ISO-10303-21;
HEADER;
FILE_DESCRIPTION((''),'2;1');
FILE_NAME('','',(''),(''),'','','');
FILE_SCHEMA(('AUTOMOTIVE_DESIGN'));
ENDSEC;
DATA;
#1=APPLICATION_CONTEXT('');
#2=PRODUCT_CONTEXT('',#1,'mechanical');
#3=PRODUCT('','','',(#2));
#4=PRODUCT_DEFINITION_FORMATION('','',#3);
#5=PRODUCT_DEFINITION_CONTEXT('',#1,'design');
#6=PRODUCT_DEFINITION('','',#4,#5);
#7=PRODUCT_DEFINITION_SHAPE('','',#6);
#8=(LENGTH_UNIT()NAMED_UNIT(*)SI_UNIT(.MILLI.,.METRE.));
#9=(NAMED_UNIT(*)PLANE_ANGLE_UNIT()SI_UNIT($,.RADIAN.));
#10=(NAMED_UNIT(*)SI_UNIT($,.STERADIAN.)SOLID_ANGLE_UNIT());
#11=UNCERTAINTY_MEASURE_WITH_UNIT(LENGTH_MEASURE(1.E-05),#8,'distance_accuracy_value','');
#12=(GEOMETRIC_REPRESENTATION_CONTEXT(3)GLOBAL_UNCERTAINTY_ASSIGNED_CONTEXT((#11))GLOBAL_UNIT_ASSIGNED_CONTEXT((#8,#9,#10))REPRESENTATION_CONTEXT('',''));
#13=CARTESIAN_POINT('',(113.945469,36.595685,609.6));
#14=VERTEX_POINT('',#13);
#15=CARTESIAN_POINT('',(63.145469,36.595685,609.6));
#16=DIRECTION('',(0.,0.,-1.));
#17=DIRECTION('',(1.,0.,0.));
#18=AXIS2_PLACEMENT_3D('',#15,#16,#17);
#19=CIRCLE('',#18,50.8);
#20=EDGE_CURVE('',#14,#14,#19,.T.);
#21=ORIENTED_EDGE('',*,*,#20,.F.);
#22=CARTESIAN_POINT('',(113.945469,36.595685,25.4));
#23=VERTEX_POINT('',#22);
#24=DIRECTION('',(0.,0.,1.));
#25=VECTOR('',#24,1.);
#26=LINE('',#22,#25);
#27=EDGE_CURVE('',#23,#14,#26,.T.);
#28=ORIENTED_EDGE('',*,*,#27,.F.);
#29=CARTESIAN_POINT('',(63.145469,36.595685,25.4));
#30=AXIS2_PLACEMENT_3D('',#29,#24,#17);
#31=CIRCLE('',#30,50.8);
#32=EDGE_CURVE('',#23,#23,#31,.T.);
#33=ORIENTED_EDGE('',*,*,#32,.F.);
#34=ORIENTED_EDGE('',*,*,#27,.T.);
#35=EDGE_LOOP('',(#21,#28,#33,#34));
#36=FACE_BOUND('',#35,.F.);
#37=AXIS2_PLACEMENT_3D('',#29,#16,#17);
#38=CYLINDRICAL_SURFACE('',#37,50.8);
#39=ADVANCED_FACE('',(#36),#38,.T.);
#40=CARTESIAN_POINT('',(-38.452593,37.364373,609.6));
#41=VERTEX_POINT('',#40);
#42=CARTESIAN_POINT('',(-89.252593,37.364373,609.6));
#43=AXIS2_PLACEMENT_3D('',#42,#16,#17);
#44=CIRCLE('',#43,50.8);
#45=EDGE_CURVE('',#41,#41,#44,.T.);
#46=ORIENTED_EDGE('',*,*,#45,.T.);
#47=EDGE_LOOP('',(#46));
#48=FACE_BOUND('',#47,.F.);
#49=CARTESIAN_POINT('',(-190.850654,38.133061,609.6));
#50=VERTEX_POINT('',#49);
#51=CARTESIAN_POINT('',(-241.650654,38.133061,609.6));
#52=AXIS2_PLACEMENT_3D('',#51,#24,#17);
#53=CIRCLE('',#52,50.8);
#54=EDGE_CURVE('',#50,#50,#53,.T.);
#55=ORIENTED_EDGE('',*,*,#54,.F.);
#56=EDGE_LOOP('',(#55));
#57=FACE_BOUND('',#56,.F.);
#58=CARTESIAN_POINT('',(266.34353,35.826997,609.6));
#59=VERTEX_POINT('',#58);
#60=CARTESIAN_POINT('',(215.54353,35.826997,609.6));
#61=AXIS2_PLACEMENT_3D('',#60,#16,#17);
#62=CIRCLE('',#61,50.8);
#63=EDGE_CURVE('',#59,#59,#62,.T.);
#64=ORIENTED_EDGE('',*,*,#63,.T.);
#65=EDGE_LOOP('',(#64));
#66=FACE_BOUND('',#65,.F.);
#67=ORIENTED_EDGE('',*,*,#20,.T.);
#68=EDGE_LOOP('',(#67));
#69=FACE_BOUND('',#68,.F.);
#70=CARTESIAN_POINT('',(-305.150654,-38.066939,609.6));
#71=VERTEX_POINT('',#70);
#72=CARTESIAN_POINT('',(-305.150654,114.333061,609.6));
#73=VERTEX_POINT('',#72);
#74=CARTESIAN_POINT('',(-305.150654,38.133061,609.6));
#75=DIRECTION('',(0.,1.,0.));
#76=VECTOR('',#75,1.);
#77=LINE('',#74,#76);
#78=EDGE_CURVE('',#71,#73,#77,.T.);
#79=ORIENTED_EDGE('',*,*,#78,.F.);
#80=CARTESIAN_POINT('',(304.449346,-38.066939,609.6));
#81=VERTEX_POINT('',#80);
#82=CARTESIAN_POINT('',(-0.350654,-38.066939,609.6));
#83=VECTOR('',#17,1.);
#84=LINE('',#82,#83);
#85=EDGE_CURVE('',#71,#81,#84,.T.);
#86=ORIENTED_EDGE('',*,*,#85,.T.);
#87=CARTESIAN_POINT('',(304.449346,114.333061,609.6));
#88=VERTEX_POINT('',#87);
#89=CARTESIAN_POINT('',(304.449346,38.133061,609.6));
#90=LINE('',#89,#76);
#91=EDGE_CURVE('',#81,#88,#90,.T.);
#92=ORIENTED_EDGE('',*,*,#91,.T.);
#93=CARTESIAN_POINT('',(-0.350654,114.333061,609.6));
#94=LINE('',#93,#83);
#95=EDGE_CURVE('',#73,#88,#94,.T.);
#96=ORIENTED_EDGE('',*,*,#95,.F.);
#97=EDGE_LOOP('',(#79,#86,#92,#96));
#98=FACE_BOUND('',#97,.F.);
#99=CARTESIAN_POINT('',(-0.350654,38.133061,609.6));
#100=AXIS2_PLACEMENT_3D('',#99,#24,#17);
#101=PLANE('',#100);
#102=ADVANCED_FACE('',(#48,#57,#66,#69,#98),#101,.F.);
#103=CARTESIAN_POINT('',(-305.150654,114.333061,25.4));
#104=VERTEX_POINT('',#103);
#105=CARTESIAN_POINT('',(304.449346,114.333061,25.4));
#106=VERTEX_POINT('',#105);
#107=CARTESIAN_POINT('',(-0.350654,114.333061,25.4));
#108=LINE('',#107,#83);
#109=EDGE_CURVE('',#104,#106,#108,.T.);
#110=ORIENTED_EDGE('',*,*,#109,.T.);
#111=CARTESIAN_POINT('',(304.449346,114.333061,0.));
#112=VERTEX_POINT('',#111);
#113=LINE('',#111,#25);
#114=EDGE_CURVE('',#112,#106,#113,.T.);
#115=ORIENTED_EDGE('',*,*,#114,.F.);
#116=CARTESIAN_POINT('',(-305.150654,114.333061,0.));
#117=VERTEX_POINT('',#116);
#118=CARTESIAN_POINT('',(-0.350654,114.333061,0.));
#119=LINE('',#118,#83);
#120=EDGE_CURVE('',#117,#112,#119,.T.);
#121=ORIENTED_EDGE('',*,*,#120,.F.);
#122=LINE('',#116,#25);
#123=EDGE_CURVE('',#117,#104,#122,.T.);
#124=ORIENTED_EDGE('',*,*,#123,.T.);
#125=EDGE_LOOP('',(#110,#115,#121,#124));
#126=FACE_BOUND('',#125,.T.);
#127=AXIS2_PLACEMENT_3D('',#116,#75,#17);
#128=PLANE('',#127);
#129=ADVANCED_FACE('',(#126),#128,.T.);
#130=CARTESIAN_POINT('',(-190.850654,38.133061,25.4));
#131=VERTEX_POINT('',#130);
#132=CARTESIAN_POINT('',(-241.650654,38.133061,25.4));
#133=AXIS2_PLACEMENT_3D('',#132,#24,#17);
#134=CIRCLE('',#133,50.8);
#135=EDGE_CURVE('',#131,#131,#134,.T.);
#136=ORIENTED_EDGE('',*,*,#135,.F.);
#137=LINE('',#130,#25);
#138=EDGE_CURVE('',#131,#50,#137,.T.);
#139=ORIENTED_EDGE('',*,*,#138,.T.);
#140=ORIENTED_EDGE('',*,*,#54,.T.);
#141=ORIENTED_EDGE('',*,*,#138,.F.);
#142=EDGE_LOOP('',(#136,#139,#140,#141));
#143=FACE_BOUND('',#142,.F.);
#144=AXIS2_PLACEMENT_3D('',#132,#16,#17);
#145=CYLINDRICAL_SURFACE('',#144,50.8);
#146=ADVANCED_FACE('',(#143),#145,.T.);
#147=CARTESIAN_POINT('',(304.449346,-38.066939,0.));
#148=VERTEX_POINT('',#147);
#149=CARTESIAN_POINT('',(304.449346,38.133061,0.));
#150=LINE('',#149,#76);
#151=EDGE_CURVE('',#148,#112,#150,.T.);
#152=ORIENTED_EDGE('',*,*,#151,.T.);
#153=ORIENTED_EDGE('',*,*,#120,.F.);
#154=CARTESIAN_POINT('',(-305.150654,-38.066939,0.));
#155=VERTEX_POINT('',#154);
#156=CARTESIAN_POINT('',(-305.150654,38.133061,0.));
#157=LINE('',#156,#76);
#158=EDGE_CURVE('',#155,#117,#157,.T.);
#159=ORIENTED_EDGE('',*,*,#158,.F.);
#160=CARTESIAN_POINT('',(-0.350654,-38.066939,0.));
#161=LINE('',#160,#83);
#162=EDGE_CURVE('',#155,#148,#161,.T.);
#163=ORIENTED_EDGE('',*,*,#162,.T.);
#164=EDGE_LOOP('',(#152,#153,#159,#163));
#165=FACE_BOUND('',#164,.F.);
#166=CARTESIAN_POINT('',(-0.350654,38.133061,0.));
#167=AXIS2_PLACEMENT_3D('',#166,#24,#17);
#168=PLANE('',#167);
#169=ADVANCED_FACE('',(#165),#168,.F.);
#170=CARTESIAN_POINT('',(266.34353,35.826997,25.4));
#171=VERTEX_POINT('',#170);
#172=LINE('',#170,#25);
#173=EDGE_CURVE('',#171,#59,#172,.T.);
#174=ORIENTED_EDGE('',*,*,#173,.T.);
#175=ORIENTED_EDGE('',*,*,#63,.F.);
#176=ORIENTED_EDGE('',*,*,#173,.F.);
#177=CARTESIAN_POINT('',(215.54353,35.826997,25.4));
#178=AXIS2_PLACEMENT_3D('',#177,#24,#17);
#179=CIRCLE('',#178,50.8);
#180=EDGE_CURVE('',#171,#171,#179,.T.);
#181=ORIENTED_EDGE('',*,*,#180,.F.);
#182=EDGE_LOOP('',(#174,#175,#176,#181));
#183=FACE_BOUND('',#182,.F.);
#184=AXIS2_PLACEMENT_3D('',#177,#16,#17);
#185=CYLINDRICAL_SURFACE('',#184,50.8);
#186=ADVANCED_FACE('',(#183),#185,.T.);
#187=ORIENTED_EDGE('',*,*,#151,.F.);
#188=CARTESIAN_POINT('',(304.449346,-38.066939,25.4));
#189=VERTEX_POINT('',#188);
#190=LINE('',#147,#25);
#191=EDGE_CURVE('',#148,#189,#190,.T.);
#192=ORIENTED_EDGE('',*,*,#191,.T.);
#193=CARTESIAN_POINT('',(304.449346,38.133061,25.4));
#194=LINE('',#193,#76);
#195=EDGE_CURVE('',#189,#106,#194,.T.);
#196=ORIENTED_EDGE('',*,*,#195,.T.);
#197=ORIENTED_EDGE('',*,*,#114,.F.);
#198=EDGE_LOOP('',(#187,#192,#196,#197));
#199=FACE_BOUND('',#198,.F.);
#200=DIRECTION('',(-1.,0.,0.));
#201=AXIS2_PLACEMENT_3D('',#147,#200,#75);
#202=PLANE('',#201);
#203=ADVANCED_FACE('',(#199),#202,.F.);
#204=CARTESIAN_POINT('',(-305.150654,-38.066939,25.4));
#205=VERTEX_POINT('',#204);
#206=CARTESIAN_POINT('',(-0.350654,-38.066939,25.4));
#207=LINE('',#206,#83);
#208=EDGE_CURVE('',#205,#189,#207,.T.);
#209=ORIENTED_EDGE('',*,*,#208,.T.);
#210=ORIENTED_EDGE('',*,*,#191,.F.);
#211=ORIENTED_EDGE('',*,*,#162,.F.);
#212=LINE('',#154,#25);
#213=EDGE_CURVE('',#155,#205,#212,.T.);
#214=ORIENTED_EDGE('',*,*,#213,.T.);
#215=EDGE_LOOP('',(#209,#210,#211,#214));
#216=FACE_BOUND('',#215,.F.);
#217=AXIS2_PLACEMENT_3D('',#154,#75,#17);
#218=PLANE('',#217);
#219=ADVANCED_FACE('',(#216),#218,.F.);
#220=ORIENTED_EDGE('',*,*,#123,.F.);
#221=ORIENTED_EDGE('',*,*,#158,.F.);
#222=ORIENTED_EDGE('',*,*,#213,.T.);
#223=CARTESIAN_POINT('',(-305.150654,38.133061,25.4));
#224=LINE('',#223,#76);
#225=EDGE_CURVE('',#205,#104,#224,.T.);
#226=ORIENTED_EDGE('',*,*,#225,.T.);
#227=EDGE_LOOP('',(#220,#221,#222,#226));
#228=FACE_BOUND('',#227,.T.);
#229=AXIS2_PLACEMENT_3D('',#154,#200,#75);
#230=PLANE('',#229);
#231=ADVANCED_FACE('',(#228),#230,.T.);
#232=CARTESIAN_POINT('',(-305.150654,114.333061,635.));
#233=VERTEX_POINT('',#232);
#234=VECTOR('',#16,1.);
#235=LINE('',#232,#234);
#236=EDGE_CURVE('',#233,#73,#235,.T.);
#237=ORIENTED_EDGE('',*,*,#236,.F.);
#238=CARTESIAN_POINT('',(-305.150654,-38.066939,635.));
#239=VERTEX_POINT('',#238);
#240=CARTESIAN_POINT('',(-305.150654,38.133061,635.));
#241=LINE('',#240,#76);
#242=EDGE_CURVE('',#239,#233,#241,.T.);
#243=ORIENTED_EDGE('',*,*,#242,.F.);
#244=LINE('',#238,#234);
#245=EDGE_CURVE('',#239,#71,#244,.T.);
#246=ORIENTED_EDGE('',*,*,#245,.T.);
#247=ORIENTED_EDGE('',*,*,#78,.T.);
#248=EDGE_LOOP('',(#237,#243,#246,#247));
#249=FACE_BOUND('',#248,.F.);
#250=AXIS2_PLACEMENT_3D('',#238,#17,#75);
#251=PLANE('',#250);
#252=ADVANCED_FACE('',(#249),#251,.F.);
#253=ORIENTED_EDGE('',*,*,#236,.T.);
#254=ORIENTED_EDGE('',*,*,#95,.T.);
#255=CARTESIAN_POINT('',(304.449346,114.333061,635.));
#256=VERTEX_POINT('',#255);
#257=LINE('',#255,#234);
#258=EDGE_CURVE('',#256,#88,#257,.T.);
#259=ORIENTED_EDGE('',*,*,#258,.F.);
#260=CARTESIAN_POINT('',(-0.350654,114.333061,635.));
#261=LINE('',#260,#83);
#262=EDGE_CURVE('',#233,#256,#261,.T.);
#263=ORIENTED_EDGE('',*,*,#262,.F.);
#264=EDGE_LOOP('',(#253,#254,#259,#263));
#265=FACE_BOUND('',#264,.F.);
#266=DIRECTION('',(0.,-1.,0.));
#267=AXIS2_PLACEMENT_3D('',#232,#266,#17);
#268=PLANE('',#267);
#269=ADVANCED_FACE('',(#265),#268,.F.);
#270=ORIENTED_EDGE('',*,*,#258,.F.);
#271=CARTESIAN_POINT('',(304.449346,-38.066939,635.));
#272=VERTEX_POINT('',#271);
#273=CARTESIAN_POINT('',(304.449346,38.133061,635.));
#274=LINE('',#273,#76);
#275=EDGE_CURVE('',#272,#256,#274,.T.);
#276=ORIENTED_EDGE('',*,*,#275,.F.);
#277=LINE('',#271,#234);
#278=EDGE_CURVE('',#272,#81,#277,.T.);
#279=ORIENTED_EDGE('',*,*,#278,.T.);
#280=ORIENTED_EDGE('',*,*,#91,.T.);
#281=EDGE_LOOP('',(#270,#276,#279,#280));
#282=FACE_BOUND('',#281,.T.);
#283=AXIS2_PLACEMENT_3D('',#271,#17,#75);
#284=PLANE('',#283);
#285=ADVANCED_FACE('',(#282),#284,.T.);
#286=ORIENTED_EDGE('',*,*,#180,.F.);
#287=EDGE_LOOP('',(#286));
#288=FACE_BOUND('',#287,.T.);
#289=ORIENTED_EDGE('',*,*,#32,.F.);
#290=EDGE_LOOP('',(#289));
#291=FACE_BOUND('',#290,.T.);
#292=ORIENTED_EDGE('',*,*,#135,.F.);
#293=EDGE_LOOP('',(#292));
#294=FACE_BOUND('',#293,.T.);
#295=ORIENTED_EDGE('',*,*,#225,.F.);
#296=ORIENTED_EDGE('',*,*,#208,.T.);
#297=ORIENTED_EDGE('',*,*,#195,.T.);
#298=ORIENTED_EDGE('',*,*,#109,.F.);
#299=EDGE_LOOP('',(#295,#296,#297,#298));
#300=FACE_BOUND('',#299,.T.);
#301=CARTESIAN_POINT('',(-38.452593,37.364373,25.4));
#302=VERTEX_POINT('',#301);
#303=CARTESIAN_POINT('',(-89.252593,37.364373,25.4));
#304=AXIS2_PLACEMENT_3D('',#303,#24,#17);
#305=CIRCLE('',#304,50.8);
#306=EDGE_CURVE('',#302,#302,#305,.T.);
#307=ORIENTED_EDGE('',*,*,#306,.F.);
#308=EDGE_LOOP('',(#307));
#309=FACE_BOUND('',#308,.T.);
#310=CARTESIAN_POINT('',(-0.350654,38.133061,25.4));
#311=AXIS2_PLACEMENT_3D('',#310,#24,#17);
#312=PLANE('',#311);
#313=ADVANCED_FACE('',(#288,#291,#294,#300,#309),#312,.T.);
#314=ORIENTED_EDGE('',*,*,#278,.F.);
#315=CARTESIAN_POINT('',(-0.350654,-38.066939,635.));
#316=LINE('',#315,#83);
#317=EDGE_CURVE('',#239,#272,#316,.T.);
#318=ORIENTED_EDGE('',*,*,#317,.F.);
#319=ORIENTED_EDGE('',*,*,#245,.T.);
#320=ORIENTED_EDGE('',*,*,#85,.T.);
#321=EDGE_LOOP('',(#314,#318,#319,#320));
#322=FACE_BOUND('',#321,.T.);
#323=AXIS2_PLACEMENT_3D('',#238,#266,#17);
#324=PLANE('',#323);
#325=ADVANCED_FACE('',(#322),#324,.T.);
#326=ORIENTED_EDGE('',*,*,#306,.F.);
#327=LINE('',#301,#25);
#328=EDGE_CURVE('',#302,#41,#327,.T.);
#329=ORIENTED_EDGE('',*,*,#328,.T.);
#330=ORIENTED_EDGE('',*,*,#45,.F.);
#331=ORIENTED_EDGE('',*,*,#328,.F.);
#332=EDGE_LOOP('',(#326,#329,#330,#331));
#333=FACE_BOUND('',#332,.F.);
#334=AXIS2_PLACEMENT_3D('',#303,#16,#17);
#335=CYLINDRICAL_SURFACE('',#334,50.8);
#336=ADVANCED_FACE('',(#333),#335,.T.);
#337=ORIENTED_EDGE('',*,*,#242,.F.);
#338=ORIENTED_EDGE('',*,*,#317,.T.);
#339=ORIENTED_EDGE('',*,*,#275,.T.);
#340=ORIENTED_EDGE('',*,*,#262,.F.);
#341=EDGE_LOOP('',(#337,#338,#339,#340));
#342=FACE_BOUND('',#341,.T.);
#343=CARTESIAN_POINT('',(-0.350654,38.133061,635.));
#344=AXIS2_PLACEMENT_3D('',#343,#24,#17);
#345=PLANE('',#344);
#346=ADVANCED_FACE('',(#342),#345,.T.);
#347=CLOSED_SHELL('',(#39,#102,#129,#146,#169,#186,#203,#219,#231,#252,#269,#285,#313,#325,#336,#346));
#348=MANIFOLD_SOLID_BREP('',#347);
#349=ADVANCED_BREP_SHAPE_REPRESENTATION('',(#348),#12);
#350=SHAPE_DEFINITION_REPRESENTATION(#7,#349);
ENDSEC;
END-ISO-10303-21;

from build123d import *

# Parameters (mm, degrees)
F0_W     = 609.6
F0_H     = 152.4
F1_DEPTH = 25.4
F2_R     = 50.8
F3_DEPTH = 609.6
F4_W     = 609.6
F4_H     = 152.4
F4_R     = 50.8
F5_DEPTH = 25.4


with BuildPart() as f1:
    # F0 (on Top) → F1 (new body)
    with BuildSketch(Plane.XY):
        with Locations((-0.350654, 38.133061)):
            Rectangle(F0_W, F0_H)
    extrude(amount=F1_DEPTH)

    # F2 (on face) → F3 (join)
    with BuildSketch(Plane.XY.offset(25.4)):
        with Locations((215.54353, 35.826997)):
            Circle(F2_R)
        with Locations((63.145469, 36.595685)):
            Circle(F2_R)
        with Locations((-89.252593, 37.364373)):
            Circle(F2_R)
        with Locations((-241.650654, 38.133061)):
            Circle(F2_R)
    extrude(amount=F3_DEPTH)

    # F4 (on face) → F5 (join)
    with BuildSketch(Plane.XY.offset(635)):
        with Locations((-0.350654, 38.133061)):
            Rectangle(F4_W, F4_H)
        with Locations((-241.650654, 38.133061)):
            Circle(F4_R, mode=Mode.SUBTRACT)
    extrude(amount=-F5_DEPTH)


solid = f1.part
